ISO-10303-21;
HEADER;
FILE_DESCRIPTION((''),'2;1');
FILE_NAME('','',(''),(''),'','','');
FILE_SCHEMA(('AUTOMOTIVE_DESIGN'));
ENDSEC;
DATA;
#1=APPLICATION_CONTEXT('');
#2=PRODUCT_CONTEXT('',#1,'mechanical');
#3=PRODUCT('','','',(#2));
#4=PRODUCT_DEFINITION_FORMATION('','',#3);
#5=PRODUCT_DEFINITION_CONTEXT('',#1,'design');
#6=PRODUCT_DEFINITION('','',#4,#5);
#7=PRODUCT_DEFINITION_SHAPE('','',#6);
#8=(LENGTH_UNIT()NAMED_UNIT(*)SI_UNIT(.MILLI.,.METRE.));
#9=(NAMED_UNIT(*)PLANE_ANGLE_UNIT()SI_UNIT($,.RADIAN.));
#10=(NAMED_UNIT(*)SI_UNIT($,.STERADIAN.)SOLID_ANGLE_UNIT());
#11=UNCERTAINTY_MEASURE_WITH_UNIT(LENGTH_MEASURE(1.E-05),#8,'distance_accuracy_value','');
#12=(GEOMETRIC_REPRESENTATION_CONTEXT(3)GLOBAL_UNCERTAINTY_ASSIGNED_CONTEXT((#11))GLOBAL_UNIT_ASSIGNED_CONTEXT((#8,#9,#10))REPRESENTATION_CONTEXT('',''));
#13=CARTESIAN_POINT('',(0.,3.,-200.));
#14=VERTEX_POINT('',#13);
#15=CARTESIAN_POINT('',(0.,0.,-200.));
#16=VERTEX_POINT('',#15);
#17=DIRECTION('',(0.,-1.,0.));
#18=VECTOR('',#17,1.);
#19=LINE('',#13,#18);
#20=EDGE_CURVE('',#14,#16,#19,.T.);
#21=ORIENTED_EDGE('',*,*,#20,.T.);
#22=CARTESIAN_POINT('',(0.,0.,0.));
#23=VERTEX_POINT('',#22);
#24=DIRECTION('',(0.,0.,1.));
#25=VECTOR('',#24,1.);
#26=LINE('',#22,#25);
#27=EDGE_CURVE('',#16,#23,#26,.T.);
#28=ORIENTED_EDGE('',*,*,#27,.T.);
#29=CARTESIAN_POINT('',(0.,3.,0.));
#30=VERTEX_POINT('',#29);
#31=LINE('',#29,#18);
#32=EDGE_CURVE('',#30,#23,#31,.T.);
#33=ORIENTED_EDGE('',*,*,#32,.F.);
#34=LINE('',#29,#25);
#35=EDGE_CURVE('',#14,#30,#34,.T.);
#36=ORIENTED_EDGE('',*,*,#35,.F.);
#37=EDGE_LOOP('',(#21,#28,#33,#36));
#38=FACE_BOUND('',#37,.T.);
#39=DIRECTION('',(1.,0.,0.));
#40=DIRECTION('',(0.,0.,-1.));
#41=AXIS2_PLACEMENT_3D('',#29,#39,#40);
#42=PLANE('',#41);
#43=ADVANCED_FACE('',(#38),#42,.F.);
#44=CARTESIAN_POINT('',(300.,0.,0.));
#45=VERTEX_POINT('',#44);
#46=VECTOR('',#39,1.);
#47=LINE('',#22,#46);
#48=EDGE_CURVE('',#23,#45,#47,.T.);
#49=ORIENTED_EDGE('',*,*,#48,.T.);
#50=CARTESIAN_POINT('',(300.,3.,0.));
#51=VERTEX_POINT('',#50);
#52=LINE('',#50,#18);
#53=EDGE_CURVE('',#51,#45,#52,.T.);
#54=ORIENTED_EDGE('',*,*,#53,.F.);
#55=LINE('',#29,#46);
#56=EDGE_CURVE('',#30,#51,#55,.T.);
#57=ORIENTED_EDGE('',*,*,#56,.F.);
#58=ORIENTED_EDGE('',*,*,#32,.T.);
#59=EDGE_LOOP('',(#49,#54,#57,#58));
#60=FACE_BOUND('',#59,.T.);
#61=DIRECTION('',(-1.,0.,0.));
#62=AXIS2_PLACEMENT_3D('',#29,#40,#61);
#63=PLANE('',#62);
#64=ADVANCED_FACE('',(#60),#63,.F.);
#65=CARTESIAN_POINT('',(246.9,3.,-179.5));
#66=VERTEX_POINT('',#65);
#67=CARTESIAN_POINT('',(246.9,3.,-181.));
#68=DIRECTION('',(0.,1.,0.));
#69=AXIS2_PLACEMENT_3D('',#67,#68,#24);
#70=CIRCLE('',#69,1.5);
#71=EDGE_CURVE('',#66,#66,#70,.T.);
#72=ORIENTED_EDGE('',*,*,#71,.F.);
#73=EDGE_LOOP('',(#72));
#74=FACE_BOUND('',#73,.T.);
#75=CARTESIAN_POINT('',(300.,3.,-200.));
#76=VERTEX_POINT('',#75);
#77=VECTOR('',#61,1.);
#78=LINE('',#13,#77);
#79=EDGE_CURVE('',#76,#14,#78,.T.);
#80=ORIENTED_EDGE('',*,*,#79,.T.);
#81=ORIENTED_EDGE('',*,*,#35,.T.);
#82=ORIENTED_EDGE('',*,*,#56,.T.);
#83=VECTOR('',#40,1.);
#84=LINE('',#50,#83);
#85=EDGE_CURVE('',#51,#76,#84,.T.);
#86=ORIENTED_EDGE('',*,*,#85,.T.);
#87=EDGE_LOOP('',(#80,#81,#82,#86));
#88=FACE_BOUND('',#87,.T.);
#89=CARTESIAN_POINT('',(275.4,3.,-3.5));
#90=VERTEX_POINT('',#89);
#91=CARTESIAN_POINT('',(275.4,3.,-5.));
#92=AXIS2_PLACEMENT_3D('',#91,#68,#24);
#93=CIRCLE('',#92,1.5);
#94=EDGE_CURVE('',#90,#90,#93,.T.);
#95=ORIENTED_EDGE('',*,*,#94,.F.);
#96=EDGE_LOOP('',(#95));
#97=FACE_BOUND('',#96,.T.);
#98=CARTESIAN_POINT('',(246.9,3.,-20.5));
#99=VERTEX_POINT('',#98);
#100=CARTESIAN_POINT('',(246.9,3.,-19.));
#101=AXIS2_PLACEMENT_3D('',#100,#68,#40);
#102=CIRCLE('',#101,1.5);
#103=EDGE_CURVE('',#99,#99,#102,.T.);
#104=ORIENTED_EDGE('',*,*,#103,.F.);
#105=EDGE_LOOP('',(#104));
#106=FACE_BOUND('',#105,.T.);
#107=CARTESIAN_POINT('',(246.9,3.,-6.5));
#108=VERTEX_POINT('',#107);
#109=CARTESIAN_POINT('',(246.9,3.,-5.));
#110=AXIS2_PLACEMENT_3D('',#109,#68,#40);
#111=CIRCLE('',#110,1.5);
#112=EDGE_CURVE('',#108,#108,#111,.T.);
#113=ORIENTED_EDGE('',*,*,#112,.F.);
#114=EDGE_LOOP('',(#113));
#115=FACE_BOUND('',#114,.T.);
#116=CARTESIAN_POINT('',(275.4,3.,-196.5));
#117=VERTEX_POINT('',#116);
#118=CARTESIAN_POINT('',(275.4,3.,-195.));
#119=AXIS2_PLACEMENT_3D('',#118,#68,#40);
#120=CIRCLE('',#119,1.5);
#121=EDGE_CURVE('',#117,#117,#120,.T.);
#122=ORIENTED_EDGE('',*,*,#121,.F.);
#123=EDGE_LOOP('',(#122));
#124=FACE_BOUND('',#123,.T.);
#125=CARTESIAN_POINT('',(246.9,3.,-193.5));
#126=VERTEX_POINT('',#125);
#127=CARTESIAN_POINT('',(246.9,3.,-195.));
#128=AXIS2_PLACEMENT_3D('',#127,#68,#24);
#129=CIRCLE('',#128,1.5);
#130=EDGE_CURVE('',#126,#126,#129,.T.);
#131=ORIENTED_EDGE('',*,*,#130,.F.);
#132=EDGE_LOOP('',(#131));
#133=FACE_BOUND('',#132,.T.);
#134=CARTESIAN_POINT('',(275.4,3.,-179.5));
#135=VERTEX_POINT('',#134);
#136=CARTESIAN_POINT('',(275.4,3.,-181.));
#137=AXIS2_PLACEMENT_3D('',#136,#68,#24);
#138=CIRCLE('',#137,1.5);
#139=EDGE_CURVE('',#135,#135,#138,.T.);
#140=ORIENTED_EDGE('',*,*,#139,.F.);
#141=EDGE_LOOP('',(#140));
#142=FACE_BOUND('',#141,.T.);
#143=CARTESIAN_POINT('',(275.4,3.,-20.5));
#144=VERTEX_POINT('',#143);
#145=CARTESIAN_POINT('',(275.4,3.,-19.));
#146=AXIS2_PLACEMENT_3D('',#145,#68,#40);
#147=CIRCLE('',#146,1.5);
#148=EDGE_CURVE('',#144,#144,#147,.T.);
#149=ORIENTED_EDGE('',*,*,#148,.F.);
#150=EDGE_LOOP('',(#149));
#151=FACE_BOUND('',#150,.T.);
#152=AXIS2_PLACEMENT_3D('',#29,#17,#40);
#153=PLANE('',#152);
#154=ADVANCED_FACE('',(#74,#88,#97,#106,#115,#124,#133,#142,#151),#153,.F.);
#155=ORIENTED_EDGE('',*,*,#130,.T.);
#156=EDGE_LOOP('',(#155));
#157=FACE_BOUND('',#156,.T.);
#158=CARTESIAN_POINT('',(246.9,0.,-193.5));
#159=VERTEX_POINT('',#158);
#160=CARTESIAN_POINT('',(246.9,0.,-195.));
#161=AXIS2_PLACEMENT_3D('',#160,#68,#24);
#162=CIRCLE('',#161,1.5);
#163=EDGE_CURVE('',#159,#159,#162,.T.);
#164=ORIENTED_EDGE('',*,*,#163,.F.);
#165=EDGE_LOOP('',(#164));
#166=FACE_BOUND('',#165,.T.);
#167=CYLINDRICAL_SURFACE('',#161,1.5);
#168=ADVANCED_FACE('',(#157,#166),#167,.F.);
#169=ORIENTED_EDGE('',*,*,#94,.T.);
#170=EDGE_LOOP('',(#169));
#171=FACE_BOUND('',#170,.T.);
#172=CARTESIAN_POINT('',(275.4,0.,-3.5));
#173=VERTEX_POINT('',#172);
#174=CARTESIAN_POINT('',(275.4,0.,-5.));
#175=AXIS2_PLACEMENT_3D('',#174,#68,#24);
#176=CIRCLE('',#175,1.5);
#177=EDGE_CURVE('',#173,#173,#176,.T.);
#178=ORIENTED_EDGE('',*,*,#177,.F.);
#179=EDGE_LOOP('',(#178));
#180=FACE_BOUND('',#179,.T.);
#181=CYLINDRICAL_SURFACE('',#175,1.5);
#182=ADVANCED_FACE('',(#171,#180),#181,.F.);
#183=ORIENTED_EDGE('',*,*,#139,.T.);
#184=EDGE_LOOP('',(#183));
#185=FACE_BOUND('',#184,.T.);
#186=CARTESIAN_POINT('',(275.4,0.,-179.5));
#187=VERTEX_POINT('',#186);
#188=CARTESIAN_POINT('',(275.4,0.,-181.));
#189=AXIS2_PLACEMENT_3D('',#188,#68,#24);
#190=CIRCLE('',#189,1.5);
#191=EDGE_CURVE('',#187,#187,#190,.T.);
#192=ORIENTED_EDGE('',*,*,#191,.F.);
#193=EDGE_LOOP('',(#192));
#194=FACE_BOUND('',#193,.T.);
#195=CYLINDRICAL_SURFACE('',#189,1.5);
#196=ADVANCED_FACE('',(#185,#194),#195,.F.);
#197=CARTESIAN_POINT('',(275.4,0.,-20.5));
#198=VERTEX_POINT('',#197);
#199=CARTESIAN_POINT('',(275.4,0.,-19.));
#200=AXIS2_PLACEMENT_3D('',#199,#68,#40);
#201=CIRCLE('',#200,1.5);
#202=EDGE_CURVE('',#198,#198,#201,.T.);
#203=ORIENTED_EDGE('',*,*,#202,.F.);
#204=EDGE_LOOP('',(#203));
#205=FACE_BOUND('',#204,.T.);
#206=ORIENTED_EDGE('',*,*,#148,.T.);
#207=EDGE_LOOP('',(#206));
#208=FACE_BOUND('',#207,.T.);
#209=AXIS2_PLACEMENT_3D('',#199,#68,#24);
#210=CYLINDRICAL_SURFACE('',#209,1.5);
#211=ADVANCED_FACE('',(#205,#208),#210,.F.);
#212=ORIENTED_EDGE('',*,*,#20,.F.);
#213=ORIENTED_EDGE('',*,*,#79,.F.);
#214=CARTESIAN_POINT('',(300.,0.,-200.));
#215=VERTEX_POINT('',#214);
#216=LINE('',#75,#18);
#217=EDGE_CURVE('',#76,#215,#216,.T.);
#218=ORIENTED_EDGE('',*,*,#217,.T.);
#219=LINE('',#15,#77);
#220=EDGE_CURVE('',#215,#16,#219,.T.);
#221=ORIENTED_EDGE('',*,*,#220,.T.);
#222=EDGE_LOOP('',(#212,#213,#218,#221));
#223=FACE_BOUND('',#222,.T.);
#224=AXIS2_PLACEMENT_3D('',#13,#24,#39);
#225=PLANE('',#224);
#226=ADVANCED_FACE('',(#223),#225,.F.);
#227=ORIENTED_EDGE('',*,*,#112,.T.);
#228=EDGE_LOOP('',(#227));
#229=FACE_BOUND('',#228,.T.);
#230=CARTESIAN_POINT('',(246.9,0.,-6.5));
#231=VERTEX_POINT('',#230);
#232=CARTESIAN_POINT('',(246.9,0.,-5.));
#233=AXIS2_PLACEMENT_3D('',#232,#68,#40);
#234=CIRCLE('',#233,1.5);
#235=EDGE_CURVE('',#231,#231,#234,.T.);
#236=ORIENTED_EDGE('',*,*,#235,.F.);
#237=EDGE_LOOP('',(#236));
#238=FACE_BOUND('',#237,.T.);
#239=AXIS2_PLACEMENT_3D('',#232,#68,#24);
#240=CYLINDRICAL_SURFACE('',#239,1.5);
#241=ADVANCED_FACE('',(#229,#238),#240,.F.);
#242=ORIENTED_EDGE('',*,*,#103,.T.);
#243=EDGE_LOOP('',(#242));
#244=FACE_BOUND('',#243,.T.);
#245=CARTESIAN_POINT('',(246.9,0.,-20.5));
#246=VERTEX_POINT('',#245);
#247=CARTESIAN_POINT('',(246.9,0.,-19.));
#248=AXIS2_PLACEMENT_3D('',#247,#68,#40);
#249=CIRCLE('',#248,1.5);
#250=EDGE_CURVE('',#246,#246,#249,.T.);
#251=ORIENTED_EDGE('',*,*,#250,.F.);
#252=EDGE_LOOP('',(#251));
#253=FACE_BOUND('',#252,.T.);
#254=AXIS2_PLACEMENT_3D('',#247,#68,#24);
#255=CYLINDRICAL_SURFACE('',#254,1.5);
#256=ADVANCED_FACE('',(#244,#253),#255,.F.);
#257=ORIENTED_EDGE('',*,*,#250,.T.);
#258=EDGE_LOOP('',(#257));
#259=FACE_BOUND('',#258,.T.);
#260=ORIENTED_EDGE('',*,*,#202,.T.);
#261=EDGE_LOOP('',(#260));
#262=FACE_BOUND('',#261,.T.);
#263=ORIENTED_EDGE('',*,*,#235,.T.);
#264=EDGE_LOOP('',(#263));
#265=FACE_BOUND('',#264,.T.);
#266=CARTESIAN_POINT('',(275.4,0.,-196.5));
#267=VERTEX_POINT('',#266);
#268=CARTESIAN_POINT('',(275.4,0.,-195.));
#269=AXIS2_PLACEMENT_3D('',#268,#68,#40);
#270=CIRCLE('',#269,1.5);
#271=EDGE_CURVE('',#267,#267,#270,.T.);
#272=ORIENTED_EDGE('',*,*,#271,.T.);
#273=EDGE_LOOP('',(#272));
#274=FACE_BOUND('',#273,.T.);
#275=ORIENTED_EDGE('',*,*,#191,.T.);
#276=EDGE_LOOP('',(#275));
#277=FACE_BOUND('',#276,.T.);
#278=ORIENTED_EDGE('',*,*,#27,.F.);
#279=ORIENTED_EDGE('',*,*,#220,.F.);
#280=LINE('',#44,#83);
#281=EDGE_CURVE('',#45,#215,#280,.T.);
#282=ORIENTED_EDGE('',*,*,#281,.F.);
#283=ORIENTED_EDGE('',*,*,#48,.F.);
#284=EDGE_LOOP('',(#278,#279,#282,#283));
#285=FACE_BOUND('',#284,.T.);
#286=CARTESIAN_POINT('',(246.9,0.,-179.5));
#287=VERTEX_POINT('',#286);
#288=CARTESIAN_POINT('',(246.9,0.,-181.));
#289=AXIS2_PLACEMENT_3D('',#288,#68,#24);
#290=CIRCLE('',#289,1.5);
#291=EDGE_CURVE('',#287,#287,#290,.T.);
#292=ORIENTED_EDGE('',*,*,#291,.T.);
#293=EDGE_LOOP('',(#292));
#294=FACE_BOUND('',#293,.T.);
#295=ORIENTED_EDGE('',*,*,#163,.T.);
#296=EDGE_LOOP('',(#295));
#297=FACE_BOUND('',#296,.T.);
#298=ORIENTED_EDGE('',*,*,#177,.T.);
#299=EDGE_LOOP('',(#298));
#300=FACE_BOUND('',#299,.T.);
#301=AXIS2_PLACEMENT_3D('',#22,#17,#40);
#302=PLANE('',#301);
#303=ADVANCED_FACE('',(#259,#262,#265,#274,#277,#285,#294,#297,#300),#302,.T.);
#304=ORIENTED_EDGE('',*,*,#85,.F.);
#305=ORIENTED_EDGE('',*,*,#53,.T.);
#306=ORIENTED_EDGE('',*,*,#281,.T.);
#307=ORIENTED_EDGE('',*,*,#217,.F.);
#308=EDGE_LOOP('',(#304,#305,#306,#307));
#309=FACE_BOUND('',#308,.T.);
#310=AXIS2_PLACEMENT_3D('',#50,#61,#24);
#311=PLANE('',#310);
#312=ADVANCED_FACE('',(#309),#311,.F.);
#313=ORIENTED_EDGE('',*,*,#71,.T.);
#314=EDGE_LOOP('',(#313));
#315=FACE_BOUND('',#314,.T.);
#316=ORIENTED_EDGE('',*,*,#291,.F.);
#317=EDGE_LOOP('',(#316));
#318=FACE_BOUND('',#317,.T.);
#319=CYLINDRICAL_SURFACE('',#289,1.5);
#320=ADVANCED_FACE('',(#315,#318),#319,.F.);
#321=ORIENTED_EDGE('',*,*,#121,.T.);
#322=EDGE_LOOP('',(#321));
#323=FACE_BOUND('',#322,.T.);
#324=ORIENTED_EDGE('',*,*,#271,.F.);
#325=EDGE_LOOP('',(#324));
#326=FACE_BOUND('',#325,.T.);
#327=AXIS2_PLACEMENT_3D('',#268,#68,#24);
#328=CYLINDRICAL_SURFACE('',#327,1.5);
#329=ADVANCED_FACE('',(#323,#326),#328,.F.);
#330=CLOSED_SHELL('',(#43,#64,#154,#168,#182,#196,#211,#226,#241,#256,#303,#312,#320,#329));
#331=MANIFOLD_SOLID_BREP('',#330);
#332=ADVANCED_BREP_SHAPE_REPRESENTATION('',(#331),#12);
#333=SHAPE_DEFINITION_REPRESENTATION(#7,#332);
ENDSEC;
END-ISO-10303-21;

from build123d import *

# Parameters (mm, degrees)
SKETCH2_W           = 300
SKETCH2_H           = 200
BOSS_EXTRUDE1_DEPTH = 3
SKETCH3_R           = 1.5
CUT_EXTRUDE1_DEPTH  = 361.567608085


with BuildPart() as part:
    # Sketch2 → Boss-Extrude1 (new body)
    with BuildSketch(Plane(origin=(0, 0, 0), x_dir=(1, 0, 0), z_dir=(0, 1, 0))):
        with Locations((150, 100)):
            Rectangle(SKETCH2_W, SKETCH2_H)
    extrude(amount=BOSS_EXTRUDE1_DEPTH)

    # Sketch3 → Cut-Extrude1 (cut, through all)
    with BuildSketch(Plane(origin=(0, 3, 0), x_dir=(1, 0, 0), z_dir=(0, 1, 0))):
        with Locations(Location((275.4, 195, 0), (0, 0, 90))):
            Circle(SKETCH3_R)
        with Locations(Location((246.9, 195, 0), (0, 0, 270))):
            Circle(SKETCH3_R)
        with Locations(Location((275.4, 181, 0), (0, 0, 270))):
            Circle(SKETCH3_R)
        with Locations(Location((246.9, 181, 0), (0, 0, 270))):
            Circle(SKETCH3_R)
        with Locations(Location((275.4, 19, 0), (0, 0, 90))):
            Circle(SKETCH3_R)
        with Locations(Location((275.4, 5, 0), (0, 0, 270))):
            Circle(SKETCH3_R)
        with Locations(Location((246.9, 5, 0), (0, 0, 90))):
            Circle(SKETCH3_R)
        with Locations(Location((246.9, 19, 0), (0, 0, 90))):
            Circle(SKETCH3_R)
    extrude(amount=-CUT_EXTRUDE1_DEPTH, mode=Mode.SUBTRACT)


solid = part.part
